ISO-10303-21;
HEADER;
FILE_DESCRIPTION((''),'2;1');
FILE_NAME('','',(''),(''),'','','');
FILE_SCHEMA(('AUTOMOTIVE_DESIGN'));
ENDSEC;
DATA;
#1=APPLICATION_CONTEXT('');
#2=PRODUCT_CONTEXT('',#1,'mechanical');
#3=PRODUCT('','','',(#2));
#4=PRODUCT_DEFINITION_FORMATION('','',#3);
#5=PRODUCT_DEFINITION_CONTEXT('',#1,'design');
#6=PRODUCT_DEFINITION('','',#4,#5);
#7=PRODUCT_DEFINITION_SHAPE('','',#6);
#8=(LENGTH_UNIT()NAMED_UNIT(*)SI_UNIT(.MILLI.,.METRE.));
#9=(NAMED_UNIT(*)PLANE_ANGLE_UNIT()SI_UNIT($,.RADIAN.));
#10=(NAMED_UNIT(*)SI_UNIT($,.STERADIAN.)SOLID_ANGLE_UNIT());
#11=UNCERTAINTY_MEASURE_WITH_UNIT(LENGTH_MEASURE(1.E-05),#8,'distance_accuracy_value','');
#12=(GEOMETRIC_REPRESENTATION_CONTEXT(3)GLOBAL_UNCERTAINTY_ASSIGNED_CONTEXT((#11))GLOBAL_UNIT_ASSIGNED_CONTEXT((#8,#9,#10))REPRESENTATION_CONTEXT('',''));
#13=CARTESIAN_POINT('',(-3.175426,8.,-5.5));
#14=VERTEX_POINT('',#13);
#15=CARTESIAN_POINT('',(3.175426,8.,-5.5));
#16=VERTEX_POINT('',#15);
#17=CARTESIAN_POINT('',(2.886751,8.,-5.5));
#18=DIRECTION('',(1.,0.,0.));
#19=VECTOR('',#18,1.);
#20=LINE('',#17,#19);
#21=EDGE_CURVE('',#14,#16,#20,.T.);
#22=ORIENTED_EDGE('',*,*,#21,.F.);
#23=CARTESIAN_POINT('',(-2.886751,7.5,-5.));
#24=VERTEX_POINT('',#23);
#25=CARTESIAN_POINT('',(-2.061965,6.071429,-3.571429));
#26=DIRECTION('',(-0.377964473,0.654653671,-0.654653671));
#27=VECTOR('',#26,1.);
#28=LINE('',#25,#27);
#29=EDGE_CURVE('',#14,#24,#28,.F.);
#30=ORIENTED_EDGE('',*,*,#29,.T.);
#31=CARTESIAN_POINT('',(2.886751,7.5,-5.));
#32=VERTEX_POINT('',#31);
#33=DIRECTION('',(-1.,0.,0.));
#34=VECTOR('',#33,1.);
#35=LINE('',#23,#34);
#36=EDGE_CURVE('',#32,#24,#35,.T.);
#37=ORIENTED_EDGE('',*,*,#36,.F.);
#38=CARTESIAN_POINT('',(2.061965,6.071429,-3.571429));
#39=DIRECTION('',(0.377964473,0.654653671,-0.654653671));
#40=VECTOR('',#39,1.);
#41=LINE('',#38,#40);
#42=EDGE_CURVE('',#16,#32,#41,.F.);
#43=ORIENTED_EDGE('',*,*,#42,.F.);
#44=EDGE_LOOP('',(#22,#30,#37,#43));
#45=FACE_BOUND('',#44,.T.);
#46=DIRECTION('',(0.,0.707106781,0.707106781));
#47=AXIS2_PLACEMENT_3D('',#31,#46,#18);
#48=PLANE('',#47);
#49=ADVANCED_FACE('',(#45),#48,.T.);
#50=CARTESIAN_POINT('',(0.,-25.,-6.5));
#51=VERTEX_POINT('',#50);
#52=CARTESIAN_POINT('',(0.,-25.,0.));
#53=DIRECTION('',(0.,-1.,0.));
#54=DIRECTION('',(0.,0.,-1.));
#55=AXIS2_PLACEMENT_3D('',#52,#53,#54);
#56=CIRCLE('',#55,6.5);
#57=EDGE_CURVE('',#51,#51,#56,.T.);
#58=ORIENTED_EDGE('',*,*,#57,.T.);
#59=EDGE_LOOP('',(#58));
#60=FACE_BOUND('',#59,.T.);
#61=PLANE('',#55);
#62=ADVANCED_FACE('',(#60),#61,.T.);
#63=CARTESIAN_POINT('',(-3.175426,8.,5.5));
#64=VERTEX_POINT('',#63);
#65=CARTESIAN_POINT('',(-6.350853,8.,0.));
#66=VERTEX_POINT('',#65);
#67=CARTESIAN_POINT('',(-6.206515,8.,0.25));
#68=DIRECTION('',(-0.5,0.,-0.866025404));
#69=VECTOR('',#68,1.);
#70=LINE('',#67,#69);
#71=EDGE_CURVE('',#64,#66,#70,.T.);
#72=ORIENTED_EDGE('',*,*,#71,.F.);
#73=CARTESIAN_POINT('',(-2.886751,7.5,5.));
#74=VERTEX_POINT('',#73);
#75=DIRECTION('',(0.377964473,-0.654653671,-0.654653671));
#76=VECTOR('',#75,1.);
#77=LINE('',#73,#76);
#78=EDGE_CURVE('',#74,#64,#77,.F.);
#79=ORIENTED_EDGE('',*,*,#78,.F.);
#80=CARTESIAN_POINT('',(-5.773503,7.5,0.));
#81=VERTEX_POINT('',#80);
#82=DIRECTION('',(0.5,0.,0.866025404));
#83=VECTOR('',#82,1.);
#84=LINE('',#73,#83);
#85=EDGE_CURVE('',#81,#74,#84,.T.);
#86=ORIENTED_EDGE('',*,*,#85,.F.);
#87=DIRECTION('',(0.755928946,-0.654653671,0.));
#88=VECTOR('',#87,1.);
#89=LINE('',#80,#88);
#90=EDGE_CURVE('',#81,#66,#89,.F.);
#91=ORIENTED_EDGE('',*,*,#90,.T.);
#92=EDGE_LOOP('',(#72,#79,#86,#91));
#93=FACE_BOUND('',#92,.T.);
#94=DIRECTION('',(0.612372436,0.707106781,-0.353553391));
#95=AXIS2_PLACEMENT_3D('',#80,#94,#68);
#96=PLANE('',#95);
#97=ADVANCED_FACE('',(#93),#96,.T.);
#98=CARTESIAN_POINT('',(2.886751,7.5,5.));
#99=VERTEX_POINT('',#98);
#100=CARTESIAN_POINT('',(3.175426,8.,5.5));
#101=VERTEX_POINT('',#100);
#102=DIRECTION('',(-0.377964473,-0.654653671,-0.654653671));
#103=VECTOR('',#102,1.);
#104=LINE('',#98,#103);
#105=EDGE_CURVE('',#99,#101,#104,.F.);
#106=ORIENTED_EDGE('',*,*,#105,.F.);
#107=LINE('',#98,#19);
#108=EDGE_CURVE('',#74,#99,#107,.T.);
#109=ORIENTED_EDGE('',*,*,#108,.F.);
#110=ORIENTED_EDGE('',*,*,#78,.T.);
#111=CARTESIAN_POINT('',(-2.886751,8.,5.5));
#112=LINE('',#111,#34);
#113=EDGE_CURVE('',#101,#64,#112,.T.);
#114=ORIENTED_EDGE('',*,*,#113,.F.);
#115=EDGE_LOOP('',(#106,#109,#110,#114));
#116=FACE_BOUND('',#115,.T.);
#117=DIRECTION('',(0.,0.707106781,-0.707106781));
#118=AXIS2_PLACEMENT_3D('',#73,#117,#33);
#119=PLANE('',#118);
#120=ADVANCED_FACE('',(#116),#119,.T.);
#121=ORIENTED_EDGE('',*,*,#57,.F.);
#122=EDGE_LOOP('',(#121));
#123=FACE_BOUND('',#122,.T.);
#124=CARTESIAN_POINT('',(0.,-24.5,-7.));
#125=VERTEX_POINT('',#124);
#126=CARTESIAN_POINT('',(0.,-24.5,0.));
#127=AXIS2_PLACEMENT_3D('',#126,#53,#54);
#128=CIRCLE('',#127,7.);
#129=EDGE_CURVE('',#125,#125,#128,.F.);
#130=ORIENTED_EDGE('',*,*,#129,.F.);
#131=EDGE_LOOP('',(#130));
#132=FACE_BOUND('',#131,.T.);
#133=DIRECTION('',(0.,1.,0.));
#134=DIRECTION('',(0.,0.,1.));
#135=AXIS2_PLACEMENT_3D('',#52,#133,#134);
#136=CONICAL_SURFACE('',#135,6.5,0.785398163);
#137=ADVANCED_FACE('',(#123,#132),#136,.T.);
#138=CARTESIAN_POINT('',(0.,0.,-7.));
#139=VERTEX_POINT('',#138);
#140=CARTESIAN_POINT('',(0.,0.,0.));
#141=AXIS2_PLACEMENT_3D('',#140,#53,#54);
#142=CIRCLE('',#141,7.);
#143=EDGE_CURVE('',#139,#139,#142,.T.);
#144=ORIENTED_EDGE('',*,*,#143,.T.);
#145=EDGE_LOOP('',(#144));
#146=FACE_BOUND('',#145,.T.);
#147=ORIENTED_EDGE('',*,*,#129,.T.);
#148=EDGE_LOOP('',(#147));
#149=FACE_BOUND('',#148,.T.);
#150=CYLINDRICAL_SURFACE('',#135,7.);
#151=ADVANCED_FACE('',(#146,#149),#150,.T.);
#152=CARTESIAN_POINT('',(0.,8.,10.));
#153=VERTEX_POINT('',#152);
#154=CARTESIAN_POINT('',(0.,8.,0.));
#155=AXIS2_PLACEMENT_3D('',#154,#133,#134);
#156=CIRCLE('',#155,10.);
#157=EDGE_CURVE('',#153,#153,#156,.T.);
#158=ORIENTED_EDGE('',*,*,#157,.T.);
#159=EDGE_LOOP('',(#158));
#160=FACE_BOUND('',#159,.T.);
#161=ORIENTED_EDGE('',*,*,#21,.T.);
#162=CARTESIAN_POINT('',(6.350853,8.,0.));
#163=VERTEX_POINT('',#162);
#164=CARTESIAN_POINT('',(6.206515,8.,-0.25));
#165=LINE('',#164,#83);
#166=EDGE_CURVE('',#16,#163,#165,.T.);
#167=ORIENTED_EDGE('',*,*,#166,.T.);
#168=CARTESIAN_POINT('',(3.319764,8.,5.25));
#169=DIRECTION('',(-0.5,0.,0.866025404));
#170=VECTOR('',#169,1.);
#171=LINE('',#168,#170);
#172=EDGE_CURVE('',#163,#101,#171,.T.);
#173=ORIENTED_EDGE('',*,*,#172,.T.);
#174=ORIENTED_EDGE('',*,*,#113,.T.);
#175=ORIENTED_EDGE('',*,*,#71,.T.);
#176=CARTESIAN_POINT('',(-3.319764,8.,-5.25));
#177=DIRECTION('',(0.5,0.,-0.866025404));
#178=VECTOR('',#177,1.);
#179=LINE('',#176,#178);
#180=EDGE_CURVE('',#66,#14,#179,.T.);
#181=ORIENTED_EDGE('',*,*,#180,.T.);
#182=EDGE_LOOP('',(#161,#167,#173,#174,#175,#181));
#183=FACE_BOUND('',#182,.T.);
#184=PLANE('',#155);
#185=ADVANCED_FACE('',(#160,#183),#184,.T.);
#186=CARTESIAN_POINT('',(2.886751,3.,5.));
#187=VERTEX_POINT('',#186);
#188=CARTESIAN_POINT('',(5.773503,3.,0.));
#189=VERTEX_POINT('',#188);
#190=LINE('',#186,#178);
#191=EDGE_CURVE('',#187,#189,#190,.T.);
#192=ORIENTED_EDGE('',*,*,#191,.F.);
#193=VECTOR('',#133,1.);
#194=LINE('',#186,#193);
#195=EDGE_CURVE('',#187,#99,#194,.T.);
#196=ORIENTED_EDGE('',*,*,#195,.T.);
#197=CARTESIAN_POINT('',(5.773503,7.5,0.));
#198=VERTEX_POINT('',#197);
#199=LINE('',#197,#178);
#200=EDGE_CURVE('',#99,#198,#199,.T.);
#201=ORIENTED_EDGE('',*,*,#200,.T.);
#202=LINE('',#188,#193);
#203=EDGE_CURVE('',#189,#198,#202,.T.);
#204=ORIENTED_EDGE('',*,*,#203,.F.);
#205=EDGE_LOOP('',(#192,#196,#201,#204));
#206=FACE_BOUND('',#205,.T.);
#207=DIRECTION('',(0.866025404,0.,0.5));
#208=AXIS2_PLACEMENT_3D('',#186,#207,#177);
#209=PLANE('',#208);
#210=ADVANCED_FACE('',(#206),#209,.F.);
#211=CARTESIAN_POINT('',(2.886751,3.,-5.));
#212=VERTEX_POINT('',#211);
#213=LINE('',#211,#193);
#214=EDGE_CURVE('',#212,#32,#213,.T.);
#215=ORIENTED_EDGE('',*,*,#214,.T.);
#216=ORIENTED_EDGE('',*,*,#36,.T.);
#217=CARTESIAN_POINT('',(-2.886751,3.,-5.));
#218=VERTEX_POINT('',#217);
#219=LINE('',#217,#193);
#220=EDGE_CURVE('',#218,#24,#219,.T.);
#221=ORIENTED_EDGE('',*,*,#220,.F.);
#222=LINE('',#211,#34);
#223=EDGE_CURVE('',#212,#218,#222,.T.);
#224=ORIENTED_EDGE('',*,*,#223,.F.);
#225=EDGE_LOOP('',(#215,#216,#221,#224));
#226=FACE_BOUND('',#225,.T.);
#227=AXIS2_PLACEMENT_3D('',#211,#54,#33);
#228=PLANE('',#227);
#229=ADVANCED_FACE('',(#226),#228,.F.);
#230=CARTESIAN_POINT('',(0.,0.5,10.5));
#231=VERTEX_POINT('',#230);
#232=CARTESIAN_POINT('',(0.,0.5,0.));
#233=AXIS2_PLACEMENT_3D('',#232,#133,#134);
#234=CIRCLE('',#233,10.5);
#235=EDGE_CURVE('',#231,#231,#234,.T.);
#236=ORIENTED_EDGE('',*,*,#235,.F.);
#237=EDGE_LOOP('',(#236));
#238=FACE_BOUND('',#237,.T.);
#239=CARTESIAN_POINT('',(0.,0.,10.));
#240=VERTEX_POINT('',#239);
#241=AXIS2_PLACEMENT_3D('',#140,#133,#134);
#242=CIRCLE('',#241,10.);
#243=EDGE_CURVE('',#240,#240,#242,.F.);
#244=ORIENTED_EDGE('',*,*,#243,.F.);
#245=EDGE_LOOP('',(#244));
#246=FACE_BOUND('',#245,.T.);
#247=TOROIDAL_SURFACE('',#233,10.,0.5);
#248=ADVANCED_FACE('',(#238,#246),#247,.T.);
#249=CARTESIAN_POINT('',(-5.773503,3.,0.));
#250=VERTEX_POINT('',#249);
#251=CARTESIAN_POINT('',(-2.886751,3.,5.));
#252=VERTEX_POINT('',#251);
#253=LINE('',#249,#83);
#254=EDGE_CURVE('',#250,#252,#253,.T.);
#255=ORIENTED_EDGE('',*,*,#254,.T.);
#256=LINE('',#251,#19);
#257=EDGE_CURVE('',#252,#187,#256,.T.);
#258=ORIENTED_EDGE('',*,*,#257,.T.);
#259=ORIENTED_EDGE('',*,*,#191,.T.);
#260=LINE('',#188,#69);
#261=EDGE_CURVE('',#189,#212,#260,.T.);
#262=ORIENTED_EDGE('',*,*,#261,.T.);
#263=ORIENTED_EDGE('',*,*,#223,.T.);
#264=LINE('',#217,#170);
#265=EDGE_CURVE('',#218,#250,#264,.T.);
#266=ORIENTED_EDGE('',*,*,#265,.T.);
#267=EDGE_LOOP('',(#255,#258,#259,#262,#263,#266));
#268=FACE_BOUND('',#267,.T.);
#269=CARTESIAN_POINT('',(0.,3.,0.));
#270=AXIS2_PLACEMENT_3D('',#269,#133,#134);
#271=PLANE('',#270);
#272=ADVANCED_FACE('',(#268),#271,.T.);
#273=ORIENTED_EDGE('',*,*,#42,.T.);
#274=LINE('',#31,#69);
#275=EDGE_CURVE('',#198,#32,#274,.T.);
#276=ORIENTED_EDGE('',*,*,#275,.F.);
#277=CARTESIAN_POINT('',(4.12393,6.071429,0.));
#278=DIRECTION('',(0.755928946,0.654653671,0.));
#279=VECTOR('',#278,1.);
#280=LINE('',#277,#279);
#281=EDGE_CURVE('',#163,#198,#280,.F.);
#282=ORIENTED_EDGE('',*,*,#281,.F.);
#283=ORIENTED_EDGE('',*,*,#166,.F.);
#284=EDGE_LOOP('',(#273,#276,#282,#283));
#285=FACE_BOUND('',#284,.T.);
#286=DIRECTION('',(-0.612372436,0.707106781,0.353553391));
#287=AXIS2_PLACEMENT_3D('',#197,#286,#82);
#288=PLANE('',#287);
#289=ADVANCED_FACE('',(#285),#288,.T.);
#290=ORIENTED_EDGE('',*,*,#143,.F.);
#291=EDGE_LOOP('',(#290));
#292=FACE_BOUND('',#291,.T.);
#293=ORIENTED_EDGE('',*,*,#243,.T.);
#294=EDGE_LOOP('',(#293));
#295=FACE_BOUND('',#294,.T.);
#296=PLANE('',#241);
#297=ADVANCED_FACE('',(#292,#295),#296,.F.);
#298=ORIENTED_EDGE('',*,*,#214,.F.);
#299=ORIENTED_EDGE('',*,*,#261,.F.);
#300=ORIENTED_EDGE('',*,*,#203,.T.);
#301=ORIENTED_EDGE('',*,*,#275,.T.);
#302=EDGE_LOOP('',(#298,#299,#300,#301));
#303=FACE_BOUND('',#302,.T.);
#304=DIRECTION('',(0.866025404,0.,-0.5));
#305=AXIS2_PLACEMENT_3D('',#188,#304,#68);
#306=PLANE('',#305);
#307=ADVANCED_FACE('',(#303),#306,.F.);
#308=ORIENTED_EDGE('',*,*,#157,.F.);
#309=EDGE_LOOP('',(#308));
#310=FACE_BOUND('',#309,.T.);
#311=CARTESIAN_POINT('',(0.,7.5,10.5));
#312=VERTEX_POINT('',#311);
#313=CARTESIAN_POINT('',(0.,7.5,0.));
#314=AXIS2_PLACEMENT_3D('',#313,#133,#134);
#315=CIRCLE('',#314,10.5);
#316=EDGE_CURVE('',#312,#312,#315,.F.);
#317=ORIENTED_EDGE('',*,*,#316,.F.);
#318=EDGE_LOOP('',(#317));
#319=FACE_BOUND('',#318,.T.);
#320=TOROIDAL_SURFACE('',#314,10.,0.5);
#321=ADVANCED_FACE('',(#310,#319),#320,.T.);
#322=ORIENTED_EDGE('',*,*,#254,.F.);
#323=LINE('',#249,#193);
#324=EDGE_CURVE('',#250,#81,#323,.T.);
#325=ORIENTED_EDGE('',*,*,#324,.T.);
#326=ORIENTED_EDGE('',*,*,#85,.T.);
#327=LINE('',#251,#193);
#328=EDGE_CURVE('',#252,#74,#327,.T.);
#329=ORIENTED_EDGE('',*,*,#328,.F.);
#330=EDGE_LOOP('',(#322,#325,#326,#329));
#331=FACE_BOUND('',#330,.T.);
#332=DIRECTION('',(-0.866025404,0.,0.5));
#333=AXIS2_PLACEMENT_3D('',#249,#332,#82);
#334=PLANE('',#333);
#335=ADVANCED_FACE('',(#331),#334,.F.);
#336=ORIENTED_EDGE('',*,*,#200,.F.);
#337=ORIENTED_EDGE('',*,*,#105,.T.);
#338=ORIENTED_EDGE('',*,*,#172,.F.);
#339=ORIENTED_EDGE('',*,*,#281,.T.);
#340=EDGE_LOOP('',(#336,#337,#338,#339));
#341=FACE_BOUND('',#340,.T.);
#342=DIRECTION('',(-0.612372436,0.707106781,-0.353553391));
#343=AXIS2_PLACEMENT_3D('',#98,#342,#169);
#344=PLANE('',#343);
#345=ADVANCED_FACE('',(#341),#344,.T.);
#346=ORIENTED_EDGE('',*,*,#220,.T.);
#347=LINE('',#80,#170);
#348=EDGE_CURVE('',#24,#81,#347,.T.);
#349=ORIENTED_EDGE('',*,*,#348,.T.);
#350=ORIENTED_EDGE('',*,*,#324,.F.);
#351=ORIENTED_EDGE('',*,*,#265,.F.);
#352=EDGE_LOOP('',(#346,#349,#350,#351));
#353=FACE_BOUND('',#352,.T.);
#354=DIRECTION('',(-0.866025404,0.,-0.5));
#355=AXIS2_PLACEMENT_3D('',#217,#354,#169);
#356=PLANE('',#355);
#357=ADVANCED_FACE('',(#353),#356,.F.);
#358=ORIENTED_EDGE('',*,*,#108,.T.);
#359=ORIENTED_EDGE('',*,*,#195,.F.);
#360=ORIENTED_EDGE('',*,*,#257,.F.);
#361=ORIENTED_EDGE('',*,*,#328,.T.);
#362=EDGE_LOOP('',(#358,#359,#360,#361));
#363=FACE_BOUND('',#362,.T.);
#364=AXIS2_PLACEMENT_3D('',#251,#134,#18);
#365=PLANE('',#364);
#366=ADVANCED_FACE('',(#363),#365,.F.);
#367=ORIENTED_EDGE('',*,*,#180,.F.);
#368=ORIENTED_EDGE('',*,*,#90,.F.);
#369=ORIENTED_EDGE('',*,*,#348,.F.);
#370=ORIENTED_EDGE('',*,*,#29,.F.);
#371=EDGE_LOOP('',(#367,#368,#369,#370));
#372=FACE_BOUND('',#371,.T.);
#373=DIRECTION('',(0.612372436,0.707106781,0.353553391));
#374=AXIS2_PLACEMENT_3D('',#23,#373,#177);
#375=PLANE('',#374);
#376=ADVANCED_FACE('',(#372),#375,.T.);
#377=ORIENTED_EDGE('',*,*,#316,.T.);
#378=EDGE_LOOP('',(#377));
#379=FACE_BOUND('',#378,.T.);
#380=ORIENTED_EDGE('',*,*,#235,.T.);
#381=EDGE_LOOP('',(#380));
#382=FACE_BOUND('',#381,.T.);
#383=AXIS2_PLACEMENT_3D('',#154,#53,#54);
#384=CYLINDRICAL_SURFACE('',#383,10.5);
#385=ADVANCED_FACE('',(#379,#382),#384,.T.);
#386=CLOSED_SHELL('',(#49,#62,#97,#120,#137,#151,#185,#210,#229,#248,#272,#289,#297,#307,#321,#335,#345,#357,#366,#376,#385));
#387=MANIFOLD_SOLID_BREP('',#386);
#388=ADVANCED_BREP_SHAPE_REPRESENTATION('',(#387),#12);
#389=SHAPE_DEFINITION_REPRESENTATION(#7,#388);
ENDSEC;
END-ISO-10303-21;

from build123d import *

# Parameters (mm, degrees)
SKETCH_1_R          = 10.5
EXTRUDE_1_DEPTH     = 8
SKETCH_2_R          = 7
EXTRUDE_2_DEPTH     = 25
CUT_EXTRUDE_1_DEPTH = 5
CHAMFER_1_SIZE      = 0.5
FILLET_1_R          = 0.5
CHAMFER_2_SIZE      = 0.5


with BuildPart() as part:
    # 草图1 → 凸台-拉伸1 (new body)
    with BuildSketch(Plane(origin=(0, 0, 0), x_dir=(1, 0, 0), z_dir=(0, 1, 0))):
        with Locations(Location((0, 0, 0), (0, 0, 270))):
            Circle(SKETCH_1_R)
    extrude(amount=EXTRUDE_1_DEPTH)

    # 草图2 → 凸台-拉伸2 (add)
    with BuildSketch(Plane.XZ):
        with Locations(Location((0, 0, 0), (0, 0, 270))):
            Circle(SKETCH_2_R)
    extrude(amount=EXTRUDE_2_DEPTH)

    # 草图3 → 切除-拉伸1 (cut)
    with BuildSketch(Plane(origin=(0, 8, 0), x_dir=(1, 0, 0), z_dir=(0, 1, 0))):
        Polygon((5.773502692, 0), (2.886751346, 5), (-2.886751346, 5), (-5.773502692, 0), (-2.886751346, -5), (2.886751346, -5), align=None)
    extrude(amount=-CUT_EXTRUDE_1_DEPTH, mode=Mode.SUBTRACT)

    # 倒角1
    chamfer_1_edges = [part.edges().sort_by_distance(p)[0] for p in [
        (0, -25, 7),
    ]]
    chamfer(chamfer_1_edges, length=CHAMFER_1_SIZE)

    # 圆角1
    fillet_1_edges = [part.edges().sort_by_distance(p)[0] for p in [
        (0, 0, -10.5),
        (0, 8, -10.5),
    ]]
    fillet(fillet_1_edges, radius=FILLET_1_R)

    # 倒角2
    chamfer_2_edges = [part.edges().sort_by_distance(p)[0] for p in [
        (4.330127019, 8, 2.5),
        (4.330127019, 8, -2.5),
        (0, 8, -5),
        (-4.330127019, 8, -2.5),
        (-4.330127019, 8, 2.5),
        (0, 8, 5),
    ]]
    chamfer(chamfer_2_edges, length=CHAMFER_2_SIZE)


solid = part.part
